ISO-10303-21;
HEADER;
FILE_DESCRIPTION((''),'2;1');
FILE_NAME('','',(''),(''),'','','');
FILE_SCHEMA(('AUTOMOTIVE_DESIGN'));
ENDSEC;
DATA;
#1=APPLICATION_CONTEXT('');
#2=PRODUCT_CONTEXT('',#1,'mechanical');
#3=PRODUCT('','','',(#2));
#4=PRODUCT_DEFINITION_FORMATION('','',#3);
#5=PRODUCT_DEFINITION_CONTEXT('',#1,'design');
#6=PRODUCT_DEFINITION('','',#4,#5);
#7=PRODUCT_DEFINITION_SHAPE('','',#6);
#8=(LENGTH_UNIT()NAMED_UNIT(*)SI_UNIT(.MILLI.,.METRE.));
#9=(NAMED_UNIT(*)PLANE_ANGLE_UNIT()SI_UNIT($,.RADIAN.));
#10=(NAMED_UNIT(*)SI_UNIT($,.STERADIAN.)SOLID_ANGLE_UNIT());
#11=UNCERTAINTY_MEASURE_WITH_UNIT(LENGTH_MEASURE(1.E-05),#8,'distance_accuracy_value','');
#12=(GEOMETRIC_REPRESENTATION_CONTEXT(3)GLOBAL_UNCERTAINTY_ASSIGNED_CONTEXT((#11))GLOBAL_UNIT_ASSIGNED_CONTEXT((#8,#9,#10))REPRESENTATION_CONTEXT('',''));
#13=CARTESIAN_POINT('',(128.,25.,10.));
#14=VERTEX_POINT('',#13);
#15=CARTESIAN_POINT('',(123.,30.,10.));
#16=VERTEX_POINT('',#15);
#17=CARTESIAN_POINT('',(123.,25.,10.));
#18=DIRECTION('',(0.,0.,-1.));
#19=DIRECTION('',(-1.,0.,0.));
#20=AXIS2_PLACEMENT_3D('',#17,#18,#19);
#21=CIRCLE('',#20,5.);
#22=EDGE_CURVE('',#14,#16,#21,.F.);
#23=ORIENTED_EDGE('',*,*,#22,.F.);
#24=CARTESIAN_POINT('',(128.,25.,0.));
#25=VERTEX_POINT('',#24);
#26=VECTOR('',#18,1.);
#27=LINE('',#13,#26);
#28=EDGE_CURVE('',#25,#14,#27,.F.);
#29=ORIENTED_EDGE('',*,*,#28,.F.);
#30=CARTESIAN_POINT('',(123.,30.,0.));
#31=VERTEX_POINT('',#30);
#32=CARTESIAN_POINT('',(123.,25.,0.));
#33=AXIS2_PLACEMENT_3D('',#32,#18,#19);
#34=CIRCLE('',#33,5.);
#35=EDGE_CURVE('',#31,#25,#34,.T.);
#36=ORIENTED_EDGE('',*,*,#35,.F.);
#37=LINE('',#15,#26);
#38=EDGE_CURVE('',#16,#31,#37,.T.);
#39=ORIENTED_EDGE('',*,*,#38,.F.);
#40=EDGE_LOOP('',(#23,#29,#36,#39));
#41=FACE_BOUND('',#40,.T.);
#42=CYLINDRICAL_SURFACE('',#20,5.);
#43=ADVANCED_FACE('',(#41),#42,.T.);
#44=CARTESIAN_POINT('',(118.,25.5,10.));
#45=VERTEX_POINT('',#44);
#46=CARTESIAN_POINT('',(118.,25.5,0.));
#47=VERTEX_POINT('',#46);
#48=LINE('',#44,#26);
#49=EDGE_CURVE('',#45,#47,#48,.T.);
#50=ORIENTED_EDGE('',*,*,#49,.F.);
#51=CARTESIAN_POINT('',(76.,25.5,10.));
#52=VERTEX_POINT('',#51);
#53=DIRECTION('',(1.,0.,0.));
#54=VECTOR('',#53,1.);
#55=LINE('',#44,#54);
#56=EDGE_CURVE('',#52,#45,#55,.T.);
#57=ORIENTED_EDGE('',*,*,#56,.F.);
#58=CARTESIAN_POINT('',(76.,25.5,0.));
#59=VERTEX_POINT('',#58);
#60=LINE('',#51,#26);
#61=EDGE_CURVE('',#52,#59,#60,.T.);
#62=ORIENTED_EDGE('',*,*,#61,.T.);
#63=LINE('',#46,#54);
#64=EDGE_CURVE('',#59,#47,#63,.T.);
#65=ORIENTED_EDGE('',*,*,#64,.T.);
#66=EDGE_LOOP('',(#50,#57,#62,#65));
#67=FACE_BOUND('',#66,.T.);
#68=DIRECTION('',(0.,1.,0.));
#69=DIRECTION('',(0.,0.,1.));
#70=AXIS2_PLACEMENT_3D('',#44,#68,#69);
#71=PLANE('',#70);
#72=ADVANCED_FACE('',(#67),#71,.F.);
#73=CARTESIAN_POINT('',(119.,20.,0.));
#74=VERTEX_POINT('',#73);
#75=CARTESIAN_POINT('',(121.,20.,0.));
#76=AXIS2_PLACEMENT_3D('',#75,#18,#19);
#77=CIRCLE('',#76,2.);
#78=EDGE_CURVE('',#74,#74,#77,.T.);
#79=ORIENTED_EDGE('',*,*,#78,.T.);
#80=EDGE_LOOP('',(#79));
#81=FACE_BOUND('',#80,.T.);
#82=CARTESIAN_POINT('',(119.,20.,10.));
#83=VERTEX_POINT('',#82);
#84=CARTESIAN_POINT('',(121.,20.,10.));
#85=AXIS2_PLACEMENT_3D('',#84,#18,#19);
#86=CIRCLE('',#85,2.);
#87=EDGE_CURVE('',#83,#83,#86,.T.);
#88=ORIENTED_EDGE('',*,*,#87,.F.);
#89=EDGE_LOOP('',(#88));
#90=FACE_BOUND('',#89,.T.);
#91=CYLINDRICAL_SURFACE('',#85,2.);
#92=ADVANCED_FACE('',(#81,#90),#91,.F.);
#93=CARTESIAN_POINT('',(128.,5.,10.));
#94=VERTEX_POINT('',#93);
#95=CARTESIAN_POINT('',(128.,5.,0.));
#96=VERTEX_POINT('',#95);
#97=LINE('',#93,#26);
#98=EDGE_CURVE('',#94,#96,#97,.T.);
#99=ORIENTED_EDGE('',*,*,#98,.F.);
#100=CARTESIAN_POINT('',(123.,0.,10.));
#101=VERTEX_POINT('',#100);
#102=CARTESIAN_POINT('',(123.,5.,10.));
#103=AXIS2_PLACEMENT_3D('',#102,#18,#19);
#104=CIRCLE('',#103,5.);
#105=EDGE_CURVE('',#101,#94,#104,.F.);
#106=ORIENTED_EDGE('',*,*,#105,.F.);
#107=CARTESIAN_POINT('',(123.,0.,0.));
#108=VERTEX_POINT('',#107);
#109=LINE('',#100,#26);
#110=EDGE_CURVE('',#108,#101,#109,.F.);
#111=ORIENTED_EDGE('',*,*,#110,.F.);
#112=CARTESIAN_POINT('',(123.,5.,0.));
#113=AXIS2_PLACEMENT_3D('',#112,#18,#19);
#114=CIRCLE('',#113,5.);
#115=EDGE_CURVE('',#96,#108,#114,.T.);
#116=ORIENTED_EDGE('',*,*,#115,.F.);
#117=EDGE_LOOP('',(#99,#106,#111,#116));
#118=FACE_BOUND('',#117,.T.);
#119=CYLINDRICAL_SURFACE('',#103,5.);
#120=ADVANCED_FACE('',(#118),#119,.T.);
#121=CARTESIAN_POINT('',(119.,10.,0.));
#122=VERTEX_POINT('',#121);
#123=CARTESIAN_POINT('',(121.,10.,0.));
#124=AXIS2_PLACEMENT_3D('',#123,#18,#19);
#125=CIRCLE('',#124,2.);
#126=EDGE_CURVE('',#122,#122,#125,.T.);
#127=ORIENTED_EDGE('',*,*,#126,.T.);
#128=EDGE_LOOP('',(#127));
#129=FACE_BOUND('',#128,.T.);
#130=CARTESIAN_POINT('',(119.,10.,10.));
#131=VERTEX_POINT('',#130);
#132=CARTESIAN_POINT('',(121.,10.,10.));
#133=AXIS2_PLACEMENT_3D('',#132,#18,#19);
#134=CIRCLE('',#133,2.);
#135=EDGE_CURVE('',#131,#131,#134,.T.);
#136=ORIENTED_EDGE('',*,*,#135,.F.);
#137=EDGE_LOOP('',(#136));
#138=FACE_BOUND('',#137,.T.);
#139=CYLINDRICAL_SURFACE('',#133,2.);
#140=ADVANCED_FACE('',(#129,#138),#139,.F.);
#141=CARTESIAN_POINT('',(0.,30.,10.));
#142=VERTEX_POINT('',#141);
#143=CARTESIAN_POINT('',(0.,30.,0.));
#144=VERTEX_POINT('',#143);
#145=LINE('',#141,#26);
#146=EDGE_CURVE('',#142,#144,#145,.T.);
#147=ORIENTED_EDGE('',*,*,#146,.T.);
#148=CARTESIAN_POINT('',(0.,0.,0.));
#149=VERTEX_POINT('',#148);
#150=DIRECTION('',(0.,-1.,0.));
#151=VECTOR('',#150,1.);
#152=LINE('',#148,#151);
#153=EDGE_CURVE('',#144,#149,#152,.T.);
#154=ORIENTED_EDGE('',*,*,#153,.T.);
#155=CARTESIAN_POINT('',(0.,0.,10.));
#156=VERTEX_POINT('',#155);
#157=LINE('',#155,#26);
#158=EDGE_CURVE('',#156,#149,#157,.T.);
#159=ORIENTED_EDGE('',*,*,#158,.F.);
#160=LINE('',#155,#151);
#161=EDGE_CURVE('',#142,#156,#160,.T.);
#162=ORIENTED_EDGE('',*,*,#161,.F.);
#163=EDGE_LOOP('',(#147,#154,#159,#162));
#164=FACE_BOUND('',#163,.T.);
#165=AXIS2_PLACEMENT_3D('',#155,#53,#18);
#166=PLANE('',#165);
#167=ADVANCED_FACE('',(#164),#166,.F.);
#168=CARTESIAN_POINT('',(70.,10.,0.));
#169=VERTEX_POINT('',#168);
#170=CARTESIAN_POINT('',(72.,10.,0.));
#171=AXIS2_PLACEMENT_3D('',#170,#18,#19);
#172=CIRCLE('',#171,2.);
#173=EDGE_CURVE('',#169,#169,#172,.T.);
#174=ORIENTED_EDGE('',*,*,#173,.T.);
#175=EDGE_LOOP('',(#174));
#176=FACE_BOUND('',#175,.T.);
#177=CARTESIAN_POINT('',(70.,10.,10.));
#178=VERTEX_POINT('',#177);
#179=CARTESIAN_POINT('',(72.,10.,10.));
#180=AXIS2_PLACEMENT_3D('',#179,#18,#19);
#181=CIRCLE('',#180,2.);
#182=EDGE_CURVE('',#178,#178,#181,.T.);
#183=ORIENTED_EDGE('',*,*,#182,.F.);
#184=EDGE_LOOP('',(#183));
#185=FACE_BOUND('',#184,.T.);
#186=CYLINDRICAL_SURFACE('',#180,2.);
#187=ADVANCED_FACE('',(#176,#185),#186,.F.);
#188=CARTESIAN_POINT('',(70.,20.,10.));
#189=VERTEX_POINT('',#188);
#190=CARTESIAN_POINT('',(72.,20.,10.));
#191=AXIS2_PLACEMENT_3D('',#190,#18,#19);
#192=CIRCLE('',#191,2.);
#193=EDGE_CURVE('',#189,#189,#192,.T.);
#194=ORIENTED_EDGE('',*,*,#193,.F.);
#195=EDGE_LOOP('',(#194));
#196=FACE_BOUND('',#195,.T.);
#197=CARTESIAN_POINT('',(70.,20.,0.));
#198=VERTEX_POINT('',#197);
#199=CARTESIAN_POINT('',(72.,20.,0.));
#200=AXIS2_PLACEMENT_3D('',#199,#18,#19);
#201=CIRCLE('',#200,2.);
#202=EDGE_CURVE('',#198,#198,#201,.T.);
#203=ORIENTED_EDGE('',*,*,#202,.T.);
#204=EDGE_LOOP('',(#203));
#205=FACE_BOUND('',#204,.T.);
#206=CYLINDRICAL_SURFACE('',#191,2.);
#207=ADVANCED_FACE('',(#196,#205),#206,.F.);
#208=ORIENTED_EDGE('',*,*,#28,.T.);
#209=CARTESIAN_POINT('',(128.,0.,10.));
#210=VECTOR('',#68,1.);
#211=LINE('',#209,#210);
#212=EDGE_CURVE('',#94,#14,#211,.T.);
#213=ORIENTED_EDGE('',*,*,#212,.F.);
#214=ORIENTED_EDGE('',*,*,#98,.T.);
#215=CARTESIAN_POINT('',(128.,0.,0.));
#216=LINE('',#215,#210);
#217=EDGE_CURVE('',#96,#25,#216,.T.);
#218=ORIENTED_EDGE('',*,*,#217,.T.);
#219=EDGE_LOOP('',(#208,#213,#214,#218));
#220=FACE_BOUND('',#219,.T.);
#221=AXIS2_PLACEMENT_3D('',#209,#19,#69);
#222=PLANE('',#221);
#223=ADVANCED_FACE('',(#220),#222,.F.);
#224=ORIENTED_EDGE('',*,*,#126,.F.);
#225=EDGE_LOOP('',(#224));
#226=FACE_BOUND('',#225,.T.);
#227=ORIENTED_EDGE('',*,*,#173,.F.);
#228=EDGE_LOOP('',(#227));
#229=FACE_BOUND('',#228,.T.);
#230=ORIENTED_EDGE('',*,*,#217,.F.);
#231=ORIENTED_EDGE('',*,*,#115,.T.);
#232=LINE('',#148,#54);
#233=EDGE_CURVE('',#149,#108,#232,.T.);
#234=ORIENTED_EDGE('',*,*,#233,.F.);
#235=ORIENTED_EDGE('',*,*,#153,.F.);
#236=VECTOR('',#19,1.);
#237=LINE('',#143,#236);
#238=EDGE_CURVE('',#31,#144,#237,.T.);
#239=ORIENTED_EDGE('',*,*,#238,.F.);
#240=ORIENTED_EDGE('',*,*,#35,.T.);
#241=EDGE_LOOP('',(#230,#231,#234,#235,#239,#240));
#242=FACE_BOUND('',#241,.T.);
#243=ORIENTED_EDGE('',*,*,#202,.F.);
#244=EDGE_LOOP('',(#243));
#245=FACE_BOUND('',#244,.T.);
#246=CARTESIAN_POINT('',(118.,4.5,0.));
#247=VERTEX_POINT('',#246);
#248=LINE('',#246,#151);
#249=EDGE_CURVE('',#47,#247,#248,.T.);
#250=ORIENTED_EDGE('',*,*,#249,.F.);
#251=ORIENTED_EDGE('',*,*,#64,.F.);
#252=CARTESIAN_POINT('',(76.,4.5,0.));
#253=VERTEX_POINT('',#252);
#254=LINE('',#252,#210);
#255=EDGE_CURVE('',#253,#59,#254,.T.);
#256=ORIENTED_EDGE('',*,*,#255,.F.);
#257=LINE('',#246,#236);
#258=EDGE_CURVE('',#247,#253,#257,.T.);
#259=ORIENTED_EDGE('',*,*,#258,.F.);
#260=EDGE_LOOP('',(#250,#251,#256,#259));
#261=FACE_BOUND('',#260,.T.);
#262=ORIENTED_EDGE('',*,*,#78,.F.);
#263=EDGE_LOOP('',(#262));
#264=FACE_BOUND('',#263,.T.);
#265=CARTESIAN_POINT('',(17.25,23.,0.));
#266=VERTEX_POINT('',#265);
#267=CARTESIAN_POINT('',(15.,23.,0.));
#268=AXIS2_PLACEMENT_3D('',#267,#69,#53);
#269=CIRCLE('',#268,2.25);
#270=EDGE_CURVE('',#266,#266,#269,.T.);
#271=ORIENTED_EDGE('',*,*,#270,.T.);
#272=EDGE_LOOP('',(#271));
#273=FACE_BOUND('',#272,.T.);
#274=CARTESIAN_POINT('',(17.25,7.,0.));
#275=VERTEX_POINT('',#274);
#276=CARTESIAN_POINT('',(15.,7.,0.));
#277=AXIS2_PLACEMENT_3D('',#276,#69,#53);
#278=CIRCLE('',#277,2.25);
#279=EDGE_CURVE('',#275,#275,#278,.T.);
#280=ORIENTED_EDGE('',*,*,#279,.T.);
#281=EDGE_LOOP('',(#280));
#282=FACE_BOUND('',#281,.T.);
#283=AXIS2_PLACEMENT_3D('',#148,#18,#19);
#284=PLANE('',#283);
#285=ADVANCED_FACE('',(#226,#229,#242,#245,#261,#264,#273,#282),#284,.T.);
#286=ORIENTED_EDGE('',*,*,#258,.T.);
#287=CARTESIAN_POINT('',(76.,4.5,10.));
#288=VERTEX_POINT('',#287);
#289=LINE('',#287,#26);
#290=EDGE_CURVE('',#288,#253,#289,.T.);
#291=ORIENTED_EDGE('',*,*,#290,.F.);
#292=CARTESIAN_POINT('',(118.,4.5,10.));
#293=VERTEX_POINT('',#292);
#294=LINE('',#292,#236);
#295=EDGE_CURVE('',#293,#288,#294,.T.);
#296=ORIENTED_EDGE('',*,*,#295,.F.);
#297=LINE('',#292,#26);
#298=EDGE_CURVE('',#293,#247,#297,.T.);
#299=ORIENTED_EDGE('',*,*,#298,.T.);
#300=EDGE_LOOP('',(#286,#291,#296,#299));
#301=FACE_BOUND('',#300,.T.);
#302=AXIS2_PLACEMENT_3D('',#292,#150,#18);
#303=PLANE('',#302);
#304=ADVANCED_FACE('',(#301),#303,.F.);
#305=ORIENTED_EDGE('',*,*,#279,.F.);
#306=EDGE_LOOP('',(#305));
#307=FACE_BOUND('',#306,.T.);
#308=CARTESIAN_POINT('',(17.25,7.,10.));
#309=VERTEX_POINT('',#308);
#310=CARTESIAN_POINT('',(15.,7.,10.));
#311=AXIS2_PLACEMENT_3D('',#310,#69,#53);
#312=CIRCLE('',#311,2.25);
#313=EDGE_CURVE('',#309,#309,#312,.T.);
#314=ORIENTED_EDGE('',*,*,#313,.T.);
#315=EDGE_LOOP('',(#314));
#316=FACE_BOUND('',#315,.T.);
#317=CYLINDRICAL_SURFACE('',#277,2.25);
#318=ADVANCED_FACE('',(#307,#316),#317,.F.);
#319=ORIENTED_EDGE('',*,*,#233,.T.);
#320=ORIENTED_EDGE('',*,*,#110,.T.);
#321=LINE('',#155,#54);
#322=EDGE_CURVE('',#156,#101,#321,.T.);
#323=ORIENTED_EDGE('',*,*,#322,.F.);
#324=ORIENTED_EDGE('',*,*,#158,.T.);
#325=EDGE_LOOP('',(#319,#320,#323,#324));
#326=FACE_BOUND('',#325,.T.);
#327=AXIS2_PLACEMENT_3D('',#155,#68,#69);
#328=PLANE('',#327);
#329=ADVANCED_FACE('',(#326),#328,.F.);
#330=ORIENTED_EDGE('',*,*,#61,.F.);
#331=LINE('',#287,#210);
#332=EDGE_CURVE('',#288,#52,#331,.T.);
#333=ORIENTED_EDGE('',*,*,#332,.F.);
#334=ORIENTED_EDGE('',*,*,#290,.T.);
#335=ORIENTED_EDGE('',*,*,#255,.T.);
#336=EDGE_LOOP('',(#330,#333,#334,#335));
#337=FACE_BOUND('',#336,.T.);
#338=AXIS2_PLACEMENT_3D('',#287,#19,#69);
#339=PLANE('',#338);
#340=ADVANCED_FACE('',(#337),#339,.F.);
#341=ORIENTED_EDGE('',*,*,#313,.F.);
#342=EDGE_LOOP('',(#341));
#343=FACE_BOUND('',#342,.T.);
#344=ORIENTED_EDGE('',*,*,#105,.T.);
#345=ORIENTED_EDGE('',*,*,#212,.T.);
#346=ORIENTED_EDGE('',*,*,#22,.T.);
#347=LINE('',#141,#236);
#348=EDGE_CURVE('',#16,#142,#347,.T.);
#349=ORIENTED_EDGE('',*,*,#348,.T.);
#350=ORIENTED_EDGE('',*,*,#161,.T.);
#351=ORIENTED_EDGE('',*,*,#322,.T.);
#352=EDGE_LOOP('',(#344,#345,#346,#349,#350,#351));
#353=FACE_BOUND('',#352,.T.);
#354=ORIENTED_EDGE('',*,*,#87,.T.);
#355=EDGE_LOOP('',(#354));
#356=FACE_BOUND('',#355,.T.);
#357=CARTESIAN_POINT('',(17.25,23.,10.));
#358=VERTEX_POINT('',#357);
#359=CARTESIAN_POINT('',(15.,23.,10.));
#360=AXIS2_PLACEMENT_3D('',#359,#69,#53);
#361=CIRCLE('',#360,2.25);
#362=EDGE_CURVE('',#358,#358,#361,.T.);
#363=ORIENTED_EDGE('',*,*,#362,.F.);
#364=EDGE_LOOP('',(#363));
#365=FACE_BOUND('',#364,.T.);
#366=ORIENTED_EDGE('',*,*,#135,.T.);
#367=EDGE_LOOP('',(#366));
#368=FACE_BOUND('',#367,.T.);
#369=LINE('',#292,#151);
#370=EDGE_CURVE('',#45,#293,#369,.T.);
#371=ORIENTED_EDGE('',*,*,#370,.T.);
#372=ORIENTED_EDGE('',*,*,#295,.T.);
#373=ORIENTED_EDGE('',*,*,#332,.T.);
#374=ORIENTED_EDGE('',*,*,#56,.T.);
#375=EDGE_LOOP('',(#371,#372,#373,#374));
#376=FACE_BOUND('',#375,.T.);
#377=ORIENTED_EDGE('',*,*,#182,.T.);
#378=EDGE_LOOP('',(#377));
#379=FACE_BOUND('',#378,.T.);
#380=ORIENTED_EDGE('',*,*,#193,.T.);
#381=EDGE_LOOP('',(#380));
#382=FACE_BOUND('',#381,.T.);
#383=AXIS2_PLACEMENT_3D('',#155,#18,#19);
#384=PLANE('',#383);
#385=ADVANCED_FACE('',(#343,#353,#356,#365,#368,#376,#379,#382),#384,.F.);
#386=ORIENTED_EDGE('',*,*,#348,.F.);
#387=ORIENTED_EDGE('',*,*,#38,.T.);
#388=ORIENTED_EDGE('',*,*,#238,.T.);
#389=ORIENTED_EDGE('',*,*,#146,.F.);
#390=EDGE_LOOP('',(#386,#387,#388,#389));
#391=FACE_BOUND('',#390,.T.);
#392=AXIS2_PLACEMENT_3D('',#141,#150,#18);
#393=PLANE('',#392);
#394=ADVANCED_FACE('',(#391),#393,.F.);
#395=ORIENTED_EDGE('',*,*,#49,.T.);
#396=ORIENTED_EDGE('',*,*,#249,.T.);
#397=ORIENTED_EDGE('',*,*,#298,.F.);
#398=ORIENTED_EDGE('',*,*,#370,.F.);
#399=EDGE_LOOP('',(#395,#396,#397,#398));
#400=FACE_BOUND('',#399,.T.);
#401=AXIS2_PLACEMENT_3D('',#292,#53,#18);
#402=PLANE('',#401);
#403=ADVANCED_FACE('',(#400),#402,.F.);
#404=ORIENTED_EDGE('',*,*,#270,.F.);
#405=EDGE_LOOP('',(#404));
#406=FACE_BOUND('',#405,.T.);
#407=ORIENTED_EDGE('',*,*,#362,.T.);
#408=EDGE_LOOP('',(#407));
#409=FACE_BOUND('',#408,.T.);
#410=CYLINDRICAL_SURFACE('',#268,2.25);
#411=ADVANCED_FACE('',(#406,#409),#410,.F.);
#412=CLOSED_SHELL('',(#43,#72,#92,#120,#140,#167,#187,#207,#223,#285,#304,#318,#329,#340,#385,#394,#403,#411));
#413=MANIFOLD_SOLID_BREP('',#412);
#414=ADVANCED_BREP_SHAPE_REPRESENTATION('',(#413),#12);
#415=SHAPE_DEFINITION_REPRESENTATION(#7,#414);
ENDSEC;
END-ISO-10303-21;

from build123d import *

# Parameters (mm, degrees)
ESQUISSE1_W             = 128
ESQUISSE1_H             = 30
BOSS_EXTRU_1_DEPTH      = 10
ESQUISSE2_R             = 2
ESQUISSE2_W             = 42
ESQUISSE2_H             = 21
ENL_V_MAT_EXTRU_1_DEPTH = 10
CONG_1_R                = 5
ESQUISSE4_R             = 2.25
ENL_V_MAT_EXTRU_2_DEPTH = 10


with BuildPart() as part:
    # Esquisse1 → Boss.-Extru.1 (new body)
    with BuildSketch(Plane.XY):
        with Locations((64, 15)):
            Rectangle(ESQUISSE1_W, ESQUISSE1_H)
    extrude(amount=BOSS_EXTRU_1_DEPTH)

    # Esquisse2 → Enlèv. mat.-Extru.1 (cut)
    with BuildSketch(Plane(origin=(0, 0, 0), x_dir=(-1, 0, 0), z_dir=(0, 0, -1))):
        with Locations((-121, 10)):
            Circle(ESQUISSE2_R)
        with Locations((-121, 20)):
            Circle(ESQUISSE2_R)
        with Locations((-72, 10)):
            Circle(ESQUISSE2_R)
        with Locations((-72, 20)):
            Circle(ESQUISSE2_R)
        with Locations((-97, 15)):
            Rectangle(ESQUISSE2_W, ESQUISSE2_H)
    extrude(amount=-ENL_V_MAT_EXTRU_1_DEPTH, mode=Mode.SUBTRACT)

    # Congé1
    cong_1_edges = [part.edges().sort_by_distance(p)[0] for p in [
        (128, 30, 5),
        (128, 0, 5),
    ]]
    fillet(cong_1_edges, radius=CONG_1_R)

    # Esquisse4 → Enlèv. mat.-Extru.2 (cut)
    with BuildSketch(Plane.XY.offset(10)):
        with Locations((15, 23)):
            Circle(ESQUISSE4_R)
        with Locations((15, 7)):
            Circle(ESQUISSE4_R)
    extrude(amount=-ENL_V_MAT_EXTRU_2_DEPTH, mode=Mode.SUBTRACT)


solid = part.part
